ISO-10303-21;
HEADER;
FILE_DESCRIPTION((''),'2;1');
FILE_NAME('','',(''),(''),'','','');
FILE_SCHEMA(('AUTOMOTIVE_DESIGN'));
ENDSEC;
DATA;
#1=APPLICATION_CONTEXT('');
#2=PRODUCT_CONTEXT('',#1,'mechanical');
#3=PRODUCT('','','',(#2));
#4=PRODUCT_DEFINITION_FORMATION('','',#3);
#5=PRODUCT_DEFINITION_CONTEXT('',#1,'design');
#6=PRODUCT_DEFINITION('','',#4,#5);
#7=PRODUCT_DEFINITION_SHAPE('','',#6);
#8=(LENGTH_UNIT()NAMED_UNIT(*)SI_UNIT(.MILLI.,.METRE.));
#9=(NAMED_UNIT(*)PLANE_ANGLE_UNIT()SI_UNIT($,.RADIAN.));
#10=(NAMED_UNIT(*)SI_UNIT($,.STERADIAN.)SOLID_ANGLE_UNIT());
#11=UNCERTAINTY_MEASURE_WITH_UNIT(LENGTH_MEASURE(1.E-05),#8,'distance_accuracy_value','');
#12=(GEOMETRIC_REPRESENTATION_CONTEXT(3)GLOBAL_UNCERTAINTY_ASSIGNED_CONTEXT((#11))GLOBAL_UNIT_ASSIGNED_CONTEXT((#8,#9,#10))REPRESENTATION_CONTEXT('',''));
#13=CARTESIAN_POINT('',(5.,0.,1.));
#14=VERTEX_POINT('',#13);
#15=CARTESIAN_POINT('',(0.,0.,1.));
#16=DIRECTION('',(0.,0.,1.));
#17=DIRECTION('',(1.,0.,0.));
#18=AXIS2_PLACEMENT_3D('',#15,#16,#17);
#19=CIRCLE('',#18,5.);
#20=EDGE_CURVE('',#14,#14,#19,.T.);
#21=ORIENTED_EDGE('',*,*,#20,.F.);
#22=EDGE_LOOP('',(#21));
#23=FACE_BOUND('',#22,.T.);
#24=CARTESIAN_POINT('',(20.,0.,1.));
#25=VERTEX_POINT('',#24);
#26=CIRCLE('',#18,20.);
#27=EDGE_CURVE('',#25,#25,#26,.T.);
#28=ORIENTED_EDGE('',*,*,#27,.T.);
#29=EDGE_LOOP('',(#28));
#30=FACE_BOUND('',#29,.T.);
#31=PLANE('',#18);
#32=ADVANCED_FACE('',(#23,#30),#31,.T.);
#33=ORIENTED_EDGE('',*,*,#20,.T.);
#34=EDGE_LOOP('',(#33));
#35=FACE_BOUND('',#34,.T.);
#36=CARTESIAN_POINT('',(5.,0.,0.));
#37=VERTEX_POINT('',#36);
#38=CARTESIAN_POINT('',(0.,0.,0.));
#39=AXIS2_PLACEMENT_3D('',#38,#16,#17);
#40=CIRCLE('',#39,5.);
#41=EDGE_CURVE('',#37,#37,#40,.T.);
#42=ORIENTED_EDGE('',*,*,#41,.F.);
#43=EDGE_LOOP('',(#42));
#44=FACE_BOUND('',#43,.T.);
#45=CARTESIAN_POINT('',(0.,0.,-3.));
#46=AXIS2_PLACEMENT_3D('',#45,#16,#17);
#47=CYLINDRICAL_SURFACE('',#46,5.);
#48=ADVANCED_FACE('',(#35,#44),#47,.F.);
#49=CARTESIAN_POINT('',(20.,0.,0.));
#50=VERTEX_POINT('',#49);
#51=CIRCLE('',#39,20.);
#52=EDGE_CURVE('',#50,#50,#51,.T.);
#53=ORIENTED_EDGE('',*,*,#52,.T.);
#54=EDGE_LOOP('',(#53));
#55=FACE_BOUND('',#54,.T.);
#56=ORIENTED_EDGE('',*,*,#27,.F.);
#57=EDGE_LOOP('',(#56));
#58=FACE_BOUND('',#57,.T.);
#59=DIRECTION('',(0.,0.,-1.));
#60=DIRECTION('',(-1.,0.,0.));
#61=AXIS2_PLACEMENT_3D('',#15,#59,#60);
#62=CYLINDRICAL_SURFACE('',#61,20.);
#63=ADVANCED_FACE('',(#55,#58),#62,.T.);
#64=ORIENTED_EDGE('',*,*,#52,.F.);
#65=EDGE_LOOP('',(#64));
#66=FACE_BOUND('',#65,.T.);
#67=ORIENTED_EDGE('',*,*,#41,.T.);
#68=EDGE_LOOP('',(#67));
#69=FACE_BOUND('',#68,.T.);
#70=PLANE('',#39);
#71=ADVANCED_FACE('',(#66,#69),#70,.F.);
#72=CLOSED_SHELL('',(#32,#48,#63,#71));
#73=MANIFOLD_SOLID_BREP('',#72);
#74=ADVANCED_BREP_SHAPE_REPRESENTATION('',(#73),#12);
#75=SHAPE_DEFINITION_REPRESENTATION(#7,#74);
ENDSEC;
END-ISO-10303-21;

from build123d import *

# Parameters (mm, degrees)
SKETCH1_R           = 20
BOSS_EXTRUDE1_DEPTH = 1
SKETCH2_R           = 5
CUT_EXTRUDE1_DEPTH  = 4


with BuildPart() as part:
    # Sketch1 → Boss-Extrude1 (new body)
    with BuildSketch(Plane.XY):
        Circle(SKETCH1_R)
    extrude(amount=BOSS_EXTRUDE1_DEPTH)

    # Sketch2 → Cut-Extrude1 (cut)
    with BuildSketch(Plane.XY.offset(1)):
        Circle(SKETCH2_R)
    extrude(amount=-CUT_EXTRUDE1_DEPTH, mode=Mode.SUBTRACT)


solid = part.part
